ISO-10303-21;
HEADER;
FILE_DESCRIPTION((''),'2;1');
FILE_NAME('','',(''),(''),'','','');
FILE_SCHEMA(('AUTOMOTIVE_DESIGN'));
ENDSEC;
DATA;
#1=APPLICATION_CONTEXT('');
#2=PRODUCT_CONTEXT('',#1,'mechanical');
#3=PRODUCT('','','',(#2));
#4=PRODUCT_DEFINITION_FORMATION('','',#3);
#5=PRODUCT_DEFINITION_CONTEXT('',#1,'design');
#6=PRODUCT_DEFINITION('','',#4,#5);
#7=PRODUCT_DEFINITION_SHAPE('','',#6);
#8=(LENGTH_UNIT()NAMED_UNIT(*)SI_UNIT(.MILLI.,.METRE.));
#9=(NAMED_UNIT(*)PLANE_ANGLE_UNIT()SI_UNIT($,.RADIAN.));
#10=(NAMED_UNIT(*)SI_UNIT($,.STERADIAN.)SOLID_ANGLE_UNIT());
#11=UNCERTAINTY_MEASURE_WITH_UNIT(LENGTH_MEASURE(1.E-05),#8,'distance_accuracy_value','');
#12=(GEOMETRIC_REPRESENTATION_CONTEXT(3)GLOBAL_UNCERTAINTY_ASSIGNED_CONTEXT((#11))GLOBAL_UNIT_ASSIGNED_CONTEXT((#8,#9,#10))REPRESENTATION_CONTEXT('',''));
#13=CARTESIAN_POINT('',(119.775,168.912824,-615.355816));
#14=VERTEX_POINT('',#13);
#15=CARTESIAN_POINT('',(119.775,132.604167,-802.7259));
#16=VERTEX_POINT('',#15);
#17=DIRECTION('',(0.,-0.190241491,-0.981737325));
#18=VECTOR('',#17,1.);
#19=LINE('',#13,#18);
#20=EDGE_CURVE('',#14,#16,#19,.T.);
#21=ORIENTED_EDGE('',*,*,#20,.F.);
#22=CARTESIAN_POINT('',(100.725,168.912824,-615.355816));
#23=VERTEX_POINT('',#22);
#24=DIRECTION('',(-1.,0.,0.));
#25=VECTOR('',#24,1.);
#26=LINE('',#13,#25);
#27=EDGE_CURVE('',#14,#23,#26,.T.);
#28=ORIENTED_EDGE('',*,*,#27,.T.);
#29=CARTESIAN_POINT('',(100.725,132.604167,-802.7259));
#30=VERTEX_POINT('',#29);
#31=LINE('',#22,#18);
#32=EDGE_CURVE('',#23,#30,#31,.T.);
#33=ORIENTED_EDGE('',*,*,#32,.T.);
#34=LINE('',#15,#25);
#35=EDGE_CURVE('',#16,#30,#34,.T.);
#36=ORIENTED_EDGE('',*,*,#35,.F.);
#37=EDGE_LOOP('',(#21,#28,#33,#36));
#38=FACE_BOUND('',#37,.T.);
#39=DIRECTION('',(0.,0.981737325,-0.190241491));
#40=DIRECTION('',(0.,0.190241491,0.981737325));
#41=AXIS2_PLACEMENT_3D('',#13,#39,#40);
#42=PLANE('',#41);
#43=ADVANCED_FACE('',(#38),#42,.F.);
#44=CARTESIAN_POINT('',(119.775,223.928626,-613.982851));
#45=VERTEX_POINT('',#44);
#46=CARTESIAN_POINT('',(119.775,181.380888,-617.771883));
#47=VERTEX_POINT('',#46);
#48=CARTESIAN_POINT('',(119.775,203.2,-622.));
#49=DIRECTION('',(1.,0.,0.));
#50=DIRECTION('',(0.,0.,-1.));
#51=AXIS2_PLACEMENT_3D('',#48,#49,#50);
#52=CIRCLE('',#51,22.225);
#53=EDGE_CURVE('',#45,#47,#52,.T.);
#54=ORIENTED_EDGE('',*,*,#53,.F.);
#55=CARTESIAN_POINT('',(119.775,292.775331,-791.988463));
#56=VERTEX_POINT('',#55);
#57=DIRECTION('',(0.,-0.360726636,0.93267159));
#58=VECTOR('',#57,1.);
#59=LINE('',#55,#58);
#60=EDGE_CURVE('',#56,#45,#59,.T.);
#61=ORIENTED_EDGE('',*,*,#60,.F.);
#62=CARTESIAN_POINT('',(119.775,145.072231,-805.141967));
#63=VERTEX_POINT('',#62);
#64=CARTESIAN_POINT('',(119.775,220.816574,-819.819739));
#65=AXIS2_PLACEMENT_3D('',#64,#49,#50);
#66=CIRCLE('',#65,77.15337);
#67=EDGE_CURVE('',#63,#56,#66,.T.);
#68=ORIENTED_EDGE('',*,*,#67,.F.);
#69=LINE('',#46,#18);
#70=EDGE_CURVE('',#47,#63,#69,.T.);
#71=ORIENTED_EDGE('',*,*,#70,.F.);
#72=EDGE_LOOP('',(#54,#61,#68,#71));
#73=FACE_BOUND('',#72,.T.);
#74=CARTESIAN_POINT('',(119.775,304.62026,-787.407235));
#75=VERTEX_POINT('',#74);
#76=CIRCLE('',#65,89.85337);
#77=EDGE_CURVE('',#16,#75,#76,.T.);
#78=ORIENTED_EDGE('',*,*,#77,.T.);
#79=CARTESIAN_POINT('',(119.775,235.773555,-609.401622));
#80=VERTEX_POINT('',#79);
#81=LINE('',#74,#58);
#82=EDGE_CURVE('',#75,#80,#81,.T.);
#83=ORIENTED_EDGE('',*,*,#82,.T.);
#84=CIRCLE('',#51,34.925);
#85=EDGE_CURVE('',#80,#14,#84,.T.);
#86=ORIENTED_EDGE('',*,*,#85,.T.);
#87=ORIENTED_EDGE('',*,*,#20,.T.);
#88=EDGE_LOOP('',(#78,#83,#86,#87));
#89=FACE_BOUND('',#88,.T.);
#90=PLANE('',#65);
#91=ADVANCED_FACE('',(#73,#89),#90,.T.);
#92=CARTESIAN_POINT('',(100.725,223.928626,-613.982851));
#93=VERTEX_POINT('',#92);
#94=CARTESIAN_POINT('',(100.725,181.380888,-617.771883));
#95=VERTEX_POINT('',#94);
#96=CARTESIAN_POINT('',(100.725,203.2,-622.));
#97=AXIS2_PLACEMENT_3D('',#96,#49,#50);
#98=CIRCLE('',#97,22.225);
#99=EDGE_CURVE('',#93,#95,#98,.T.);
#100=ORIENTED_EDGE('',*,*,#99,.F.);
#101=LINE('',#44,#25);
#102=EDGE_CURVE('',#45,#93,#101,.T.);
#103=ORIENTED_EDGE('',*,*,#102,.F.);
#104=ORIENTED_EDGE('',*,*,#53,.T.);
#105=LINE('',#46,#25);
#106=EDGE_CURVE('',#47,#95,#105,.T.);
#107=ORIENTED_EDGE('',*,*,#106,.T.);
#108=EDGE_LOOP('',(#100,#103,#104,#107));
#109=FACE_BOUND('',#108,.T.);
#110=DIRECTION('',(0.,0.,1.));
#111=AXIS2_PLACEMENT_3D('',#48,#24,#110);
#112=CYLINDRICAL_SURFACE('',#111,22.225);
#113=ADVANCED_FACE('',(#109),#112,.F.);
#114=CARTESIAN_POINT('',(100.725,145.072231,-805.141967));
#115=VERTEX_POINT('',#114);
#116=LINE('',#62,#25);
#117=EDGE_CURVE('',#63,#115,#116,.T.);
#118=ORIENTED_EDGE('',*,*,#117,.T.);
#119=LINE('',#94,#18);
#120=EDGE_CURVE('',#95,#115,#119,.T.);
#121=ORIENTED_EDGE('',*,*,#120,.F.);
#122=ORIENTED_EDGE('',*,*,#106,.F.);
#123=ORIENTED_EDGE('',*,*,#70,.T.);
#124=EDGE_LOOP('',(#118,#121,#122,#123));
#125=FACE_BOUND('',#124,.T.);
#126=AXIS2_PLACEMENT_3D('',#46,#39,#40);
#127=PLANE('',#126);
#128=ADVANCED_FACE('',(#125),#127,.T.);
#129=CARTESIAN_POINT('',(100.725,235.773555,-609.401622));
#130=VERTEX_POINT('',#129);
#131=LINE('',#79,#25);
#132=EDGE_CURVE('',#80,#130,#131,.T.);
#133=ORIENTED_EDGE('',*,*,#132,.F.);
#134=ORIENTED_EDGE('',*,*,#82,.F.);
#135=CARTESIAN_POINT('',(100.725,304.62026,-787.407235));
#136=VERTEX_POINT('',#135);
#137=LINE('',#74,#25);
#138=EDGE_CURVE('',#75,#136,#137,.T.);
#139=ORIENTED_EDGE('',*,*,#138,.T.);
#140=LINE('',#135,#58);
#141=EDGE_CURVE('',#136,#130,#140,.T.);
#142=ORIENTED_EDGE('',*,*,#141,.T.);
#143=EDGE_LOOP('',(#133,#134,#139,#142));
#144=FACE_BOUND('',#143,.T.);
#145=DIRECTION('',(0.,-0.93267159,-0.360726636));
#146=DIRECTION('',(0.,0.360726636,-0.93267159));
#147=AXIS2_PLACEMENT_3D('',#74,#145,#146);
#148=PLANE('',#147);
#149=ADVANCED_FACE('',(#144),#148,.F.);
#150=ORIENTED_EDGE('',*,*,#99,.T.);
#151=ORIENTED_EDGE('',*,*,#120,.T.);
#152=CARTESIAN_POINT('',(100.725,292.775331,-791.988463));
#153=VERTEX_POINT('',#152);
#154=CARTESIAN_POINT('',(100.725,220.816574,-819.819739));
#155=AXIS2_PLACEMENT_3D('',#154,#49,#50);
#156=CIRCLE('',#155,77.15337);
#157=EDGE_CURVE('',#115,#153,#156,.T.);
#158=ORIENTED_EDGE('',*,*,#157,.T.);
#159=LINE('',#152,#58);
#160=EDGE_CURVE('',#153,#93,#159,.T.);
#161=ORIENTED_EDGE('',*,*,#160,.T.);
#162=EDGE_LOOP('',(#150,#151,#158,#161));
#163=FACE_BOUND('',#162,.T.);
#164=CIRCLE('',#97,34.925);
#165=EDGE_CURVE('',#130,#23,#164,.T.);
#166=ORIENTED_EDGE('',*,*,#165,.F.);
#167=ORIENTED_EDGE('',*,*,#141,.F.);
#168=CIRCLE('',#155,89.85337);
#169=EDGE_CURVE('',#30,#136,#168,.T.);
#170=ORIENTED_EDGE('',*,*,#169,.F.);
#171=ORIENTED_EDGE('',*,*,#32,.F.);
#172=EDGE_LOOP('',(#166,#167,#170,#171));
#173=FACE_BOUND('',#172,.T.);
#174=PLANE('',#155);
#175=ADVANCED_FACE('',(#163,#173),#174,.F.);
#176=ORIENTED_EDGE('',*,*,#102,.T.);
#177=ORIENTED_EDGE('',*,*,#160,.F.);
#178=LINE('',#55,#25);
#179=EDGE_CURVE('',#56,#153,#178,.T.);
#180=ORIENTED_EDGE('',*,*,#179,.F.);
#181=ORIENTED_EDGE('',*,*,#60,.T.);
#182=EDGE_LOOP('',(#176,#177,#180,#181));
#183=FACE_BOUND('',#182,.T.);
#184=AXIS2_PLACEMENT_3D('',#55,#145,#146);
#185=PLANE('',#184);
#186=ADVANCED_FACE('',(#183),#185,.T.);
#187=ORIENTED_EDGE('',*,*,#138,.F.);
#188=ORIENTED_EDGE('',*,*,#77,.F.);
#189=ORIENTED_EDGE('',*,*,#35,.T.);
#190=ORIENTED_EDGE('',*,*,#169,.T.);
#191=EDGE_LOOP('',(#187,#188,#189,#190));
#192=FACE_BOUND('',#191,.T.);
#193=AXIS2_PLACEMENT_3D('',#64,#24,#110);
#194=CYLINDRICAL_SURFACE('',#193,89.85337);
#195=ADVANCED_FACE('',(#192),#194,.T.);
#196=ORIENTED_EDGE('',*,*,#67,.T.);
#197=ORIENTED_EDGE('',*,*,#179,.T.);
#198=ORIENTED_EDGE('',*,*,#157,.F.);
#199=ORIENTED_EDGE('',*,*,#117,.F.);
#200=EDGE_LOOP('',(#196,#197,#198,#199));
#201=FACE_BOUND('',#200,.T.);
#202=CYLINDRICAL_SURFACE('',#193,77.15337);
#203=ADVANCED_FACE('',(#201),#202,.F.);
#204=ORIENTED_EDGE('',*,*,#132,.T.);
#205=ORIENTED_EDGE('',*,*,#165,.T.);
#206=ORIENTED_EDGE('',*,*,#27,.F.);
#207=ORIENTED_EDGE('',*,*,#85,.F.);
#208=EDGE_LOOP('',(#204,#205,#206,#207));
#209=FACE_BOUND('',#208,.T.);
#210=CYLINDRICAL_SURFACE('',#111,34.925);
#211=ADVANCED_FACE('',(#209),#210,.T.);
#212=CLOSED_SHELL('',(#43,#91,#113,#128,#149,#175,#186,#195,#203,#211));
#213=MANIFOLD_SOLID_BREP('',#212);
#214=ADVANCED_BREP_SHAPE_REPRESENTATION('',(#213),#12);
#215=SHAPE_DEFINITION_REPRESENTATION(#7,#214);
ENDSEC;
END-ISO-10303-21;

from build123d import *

# Parameters (mm, degrees)
EXTRUDE_THIN1_DEPTH = 9.525


with BuildPart() as part:
    # Sketch1 → Extrude-Thin1 (new, symmetric)
    with BuildSketch(Plane(origin=(110.25, 0, 0), x_dir=(0, 0, -1), z_dir=(1, 0, 0))):
        with BuildLine():
            Line((787.407234724, 304.620260153), (609.401622254, 235.773555274))
            ThreePointArc((609.401622254, 235.773555274), (587.21266904, 200.102060416), (615.355815938, 168.912823926))
            Line((615.355815938, 168.912823926), (802.725899606, 132.604166692))
            ThreePointArc((802.725899606, 132.604166692), (909.318920898, 228.786805134), (787.407234724, 304.620260153))
        make_face()
        with BuildLine():
            Line((791.988462996, 292.775330962), (613.982850525, 223.928626083))
            ThreePointArc((613.982850525, 223.928626083), (599.862607571, 201.228583901), (617.77188287, 181.380887953))
            Line((617.77188287, 181.380887953), (805.141966537, 145.072230719))
            ThreePointArc((805.141966537, 145.072230719), (896.668982367, 227.660281649), (791.988462996, 292.775330962))
        make_face(mode=Mode.SUBTRACT)
    extrude(amount=EXTRUDE_THIN1_DEPTH, both=True)


solid = part.part
